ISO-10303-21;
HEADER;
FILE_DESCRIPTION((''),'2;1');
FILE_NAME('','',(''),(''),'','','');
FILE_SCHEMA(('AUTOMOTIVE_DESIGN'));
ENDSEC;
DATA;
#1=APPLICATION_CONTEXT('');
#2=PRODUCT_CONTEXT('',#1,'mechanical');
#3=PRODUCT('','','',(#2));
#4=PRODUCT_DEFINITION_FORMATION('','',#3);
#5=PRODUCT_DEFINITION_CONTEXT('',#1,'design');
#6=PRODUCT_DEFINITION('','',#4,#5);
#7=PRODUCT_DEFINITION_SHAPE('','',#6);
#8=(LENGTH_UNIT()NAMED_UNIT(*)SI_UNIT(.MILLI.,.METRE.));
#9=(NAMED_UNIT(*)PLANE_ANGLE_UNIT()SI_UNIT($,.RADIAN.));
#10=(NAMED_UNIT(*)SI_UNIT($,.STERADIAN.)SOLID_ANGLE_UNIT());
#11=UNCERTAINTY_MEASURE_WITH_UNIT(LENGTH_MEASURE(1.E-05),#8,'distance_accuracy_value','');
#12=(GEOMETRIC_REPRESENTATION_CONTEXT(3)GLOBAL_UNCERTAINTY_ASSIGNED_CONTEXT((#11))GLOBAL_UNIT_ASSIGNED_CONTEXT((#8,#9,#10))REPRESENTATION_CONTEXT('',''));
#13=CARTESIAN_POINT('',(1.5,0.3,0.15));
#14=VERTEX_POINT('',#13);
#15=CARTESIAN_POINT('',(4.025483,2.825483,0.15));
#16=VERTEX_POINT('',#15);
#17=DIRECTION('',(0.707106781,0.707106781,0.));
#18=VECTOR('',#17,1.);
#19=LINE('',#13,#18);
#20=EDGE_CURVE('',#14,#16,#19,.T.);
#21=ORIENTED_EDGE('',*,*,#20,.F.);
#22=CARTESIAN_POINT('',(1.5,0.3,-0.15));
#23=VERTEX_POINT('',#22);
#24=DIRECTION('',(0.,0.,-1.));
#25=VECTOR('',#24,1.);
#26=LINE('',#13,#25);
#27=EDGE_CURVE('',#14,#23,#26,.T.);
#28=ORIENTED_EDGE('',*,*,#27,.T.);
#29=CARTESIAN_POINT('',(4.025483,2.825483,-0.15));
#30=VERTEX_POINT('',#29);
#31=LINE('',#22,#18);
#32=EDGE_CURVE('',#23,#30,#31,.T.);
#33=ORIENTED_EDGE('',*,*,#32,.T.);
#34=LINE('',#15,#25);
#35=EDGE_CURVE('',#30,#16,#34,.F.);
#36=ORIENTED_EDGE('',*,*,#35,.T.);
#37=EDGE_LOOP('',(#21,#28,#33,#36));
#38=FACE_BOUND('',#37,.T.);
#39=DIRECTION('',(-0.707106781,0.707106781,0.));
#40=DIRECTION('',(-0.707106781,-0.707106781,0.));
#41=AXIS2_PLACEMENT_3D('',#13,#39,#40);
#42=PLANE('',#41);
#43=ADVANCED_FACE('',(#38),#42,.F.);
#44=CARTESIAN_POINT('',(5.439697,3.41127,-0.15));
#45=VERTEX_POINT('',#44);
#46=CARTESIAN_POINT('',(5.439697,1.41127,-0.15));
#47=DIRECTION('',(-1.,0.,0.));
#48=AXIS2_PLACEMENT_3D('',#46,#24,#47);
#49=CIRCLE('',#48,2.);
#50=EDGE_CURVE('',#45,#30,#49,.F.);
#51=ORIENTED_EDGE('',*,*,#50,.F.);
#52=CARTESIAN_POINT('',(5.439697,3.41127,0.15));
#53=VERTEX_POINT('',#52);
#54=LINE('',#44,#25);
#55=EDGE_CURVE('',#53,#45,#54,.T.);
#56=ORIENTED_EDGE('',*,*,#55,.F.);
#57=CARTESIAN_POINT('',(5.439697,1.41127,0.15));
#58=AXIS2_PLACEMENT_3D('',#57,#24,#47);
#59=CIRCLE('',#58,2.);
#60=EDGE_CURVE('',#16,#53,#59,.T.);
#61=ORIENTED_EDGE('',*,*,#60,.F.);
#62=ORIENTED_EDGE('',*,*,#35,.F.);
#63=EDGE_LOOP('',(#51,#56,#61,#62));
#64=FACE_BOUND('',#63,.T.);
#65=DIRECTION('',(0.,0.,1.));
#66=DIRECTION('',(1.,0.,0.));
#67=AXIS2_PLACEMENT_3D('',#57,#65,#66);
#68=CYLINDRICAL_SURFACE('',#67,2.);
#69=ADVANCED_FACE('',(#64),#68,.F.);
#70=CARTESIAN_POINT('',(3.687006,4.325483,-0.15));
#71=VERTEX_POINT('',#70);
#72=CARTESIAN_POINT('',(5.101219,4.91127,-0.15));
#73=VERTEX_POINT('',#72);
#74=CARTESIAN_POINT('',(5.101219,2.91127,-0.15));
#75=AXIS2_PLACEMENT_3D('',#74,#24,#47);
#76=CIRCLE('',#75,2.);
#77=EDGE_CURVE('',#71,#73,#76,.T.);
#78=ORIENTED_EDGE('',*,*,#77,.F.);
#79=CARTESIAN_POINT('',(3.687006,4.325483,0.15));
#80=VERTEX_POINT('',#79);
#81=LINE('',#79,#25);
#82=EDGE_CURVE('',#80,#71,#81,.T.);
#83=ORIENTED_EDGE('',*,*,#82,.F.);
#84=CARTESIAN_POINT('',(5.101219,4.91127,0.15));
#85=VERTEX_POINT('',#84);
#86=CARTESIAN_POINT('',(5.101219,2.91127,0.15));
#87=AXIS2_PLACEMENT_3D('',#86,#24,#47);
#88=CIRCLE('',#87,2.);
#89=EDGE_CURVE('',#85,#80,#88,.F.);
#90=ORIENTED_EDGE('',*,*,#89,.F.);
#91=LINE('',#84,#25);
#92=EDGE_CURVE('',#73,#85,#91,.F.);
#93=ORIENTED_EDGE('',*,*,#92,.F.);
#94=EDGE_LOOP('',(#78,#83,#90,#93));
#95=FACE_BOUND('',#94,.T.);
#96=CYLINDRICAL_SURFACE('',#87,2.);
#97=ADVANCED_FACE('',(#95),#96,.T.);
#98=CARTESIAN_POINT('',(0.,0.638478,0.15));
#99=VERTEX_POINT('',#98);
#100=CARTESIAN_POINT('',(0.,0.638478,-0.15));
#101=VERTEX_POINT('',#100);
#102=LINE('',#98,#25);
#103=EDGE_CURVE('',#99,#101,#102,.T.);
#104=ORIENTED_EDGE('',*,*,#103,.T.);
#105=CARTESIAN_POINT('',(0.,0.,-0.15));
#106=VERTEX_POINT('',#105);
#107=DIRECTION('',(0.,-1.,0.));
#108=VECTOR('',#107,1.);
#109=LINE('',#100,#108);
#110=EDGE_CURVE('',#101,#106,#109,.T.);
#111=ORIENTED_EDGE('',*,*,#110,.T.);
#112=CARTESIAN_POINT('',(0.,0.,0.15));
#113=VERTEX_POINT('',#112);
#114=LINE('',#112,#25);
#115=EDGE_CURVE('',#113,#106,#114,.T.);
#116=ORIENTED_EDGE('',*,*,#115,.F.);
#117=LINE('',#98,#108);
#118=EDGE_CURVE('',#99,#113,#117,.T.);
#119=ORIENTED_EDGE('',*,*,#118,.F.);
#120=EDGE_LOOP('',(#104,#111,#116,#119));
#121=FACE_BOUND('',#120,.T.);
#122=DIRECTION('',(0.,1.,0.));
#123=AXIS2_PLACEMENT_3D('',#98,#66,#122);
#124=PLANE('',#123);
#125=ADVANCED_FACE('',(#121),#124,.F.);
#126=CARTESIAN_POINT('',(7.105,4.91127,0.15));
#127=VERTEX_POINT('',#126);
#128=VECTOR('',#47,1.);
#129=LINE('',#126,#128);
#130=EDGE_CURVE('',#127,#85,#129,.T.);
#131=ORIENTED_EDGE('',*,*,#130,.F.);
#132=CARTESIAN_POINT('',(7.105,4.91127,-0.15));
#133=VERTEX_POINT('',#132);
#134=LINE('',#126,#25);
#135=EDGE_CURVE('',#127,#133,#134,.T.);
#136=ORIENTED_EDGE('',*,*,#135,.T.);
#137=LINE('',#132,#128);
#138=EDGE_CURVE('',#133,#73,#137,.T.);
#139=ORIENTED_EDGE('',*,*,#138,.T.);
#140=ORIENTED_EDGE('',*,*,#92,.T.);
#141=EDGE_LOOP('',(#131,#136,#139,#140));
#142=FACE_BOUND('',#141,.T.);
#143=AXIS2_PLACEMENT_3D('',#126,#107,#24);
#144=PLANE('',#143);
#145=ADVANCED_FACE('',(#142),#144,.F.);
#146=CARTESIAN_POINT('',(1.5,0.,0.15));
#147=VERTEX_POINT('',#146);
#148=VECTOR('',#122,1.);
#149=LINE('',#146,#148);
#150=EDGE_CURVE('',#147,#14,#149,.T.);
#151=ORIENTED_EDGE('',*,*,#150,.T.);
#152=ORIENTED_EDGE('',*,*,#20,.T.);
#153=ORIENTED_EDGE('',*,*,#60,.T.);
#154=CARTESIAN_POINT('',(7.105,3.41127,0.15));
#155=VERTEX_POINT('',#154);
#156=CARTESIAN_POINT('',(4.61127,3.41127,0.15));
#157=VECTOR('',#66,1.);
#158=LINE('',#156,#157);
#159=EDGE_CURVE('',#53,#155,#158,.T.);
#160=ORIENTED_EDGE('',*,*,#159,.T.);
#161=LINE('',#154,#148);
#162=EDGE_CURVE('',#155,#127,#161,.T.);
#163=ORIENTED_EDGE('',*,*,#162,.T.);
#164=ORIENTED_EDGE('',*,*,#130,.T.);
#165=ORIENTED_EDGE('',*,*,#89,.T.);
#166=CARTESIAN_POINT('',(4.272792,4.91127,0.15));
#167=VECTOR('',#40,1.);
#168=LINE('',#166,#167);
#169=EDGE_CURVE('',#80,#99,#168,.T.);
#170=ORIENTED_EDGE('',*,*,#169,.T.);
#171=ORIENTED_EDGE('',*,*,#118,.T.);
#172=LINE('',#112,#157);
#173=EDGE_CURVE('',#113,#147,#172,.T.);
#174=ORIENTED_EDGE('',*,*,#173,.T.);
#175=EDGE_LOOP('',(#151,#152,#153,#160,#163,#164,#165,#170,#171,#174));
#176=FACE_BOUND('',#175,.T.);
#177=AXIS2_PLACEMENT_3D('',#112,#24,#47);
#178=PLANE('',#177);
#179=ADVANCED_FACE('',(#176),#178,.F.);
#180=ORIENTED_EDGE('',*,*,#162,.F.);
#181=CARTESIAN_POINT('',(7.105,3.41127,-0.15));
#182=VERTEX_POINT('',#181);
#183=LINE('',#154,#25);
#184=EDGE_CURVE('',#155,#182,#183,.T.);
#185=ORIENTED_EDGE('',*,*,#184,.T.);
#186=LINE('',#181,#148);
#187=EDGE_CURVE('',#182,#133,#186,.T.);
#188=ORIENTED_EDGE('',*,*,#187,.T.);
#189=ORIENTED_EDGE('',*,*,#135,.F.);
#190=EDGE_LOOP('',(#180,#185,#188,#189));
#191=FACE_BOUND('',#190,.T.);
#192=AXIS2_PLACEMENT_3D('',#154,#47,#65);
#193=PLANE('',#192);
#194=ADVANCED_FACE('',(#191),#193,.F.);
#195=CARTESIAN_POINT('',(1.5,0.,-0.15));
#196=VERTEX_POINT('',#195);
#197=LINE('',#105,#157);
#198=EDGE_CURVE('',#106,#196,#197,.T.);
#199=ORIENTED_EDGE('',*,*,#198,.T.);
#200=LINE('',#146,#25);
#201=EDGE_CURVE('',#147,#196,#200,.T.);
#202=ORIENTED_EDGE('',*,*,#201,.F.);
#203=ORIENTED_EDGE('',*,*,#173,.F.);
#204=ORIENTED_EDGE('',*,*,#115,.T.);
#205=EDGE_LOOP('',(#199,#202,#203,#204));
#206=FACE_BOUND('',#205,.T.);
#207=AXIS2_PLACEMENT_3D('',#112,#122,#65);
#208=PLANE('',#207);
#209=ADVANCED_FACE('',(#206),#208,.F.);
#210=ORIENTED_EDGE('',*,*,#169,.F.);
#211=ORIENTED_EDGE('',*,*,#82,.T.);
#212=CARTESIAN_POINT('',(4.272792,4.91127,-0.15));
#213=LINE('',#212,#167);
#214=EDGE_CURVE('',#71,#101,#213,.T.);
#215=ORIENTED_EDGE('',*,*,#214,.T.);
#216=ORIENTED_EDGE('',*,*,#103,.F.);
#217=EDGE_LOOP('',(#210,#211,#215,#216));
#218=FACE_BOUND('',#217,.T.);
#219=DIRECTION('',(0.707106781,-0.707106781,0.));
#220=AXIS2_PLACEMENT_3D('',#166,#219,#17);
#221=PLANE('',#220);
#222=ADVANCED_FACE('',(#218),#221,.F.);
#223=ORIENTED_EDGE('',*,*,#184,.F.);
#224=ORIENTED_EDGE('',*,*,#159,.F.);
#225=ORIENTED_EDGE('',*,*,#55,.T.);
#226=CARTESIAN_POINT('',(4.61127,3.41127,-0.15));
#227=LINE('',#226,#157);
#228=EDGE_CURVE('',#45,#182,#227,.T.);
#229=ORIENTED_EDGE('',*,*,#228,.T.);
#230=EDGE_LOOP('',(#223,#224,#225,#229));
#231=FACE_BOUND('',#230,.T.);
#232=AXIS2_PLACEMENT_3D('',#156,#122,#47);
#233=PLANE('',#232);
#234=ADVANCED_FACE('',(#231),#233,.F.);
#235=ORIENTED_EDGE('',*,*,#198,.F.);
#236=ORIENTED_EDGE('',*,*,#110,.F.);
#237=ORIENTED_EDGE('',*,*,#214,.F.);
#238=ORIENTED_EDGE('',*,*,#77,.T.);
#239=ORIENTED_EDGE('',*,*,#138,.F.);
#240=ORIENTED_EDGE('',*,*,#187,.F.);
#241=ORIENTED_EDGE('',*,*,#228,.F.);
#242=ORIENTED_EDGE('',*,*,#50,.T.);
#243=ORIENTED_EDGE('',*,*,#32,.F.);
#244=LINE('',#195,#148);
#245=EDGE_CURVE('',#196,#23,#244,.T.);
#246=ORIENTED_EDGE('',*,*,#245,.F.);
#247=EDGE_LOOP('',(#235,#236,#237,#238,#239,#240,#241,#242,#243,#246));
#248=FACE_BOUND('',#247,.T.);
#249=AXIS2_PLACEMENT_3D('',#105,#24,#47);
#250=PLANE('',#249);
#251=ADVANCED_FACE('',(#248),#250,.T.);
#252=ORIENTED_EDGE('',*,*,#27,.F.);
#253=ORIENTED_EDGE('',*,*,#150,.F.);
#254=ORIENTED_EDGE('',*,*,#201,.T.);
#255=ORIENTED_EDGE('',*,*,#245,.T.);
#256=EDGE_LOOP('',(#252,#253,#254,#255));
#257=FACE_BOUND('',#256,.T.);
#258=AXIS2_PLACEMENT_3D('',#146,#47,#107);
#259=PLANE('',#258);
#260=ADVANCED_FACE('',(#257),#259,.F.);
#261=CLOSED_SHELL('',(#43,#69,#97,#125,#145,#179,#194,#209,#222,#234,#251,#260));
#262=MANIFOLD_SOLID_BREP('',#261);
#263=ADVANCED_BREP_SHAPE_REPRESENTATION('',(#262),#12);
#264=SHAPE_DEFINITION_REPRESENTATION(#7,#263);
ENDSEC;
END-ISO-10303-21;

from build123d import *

# Parameters (mm, degrees)
BOSS_EXTRUDE1_DEPTH = 0.15
FILLET1_R           = 2


with BuildPart() as part:
    # Sketch1 → Boss-Extrude1 (new, symmetric)
    with BuildSketch(Plane.XY):
        Polygon((0, 0), (1.5, 0), (1.5, 0.3), (4.611269837, 3.411269837), (7.105, 3.411269837), (7.105, 4.911269837), (4.272792206, 4.911269837), (0, 0.638477631), align=None)
    extrude(amount=BOSS_EXTRUDE1_DEPTH, both=True)

    # Fillet1
    fillet1_edges = [part.edges().sort_by_distance(p)[0] for p in [
        (4.272792206, 4.911269837, 0),
        (4.611269837, 3.411269837, 0),
    ]]
    fillet(fillet1_edges, radius=FILLET1_R)


solid = part.part
